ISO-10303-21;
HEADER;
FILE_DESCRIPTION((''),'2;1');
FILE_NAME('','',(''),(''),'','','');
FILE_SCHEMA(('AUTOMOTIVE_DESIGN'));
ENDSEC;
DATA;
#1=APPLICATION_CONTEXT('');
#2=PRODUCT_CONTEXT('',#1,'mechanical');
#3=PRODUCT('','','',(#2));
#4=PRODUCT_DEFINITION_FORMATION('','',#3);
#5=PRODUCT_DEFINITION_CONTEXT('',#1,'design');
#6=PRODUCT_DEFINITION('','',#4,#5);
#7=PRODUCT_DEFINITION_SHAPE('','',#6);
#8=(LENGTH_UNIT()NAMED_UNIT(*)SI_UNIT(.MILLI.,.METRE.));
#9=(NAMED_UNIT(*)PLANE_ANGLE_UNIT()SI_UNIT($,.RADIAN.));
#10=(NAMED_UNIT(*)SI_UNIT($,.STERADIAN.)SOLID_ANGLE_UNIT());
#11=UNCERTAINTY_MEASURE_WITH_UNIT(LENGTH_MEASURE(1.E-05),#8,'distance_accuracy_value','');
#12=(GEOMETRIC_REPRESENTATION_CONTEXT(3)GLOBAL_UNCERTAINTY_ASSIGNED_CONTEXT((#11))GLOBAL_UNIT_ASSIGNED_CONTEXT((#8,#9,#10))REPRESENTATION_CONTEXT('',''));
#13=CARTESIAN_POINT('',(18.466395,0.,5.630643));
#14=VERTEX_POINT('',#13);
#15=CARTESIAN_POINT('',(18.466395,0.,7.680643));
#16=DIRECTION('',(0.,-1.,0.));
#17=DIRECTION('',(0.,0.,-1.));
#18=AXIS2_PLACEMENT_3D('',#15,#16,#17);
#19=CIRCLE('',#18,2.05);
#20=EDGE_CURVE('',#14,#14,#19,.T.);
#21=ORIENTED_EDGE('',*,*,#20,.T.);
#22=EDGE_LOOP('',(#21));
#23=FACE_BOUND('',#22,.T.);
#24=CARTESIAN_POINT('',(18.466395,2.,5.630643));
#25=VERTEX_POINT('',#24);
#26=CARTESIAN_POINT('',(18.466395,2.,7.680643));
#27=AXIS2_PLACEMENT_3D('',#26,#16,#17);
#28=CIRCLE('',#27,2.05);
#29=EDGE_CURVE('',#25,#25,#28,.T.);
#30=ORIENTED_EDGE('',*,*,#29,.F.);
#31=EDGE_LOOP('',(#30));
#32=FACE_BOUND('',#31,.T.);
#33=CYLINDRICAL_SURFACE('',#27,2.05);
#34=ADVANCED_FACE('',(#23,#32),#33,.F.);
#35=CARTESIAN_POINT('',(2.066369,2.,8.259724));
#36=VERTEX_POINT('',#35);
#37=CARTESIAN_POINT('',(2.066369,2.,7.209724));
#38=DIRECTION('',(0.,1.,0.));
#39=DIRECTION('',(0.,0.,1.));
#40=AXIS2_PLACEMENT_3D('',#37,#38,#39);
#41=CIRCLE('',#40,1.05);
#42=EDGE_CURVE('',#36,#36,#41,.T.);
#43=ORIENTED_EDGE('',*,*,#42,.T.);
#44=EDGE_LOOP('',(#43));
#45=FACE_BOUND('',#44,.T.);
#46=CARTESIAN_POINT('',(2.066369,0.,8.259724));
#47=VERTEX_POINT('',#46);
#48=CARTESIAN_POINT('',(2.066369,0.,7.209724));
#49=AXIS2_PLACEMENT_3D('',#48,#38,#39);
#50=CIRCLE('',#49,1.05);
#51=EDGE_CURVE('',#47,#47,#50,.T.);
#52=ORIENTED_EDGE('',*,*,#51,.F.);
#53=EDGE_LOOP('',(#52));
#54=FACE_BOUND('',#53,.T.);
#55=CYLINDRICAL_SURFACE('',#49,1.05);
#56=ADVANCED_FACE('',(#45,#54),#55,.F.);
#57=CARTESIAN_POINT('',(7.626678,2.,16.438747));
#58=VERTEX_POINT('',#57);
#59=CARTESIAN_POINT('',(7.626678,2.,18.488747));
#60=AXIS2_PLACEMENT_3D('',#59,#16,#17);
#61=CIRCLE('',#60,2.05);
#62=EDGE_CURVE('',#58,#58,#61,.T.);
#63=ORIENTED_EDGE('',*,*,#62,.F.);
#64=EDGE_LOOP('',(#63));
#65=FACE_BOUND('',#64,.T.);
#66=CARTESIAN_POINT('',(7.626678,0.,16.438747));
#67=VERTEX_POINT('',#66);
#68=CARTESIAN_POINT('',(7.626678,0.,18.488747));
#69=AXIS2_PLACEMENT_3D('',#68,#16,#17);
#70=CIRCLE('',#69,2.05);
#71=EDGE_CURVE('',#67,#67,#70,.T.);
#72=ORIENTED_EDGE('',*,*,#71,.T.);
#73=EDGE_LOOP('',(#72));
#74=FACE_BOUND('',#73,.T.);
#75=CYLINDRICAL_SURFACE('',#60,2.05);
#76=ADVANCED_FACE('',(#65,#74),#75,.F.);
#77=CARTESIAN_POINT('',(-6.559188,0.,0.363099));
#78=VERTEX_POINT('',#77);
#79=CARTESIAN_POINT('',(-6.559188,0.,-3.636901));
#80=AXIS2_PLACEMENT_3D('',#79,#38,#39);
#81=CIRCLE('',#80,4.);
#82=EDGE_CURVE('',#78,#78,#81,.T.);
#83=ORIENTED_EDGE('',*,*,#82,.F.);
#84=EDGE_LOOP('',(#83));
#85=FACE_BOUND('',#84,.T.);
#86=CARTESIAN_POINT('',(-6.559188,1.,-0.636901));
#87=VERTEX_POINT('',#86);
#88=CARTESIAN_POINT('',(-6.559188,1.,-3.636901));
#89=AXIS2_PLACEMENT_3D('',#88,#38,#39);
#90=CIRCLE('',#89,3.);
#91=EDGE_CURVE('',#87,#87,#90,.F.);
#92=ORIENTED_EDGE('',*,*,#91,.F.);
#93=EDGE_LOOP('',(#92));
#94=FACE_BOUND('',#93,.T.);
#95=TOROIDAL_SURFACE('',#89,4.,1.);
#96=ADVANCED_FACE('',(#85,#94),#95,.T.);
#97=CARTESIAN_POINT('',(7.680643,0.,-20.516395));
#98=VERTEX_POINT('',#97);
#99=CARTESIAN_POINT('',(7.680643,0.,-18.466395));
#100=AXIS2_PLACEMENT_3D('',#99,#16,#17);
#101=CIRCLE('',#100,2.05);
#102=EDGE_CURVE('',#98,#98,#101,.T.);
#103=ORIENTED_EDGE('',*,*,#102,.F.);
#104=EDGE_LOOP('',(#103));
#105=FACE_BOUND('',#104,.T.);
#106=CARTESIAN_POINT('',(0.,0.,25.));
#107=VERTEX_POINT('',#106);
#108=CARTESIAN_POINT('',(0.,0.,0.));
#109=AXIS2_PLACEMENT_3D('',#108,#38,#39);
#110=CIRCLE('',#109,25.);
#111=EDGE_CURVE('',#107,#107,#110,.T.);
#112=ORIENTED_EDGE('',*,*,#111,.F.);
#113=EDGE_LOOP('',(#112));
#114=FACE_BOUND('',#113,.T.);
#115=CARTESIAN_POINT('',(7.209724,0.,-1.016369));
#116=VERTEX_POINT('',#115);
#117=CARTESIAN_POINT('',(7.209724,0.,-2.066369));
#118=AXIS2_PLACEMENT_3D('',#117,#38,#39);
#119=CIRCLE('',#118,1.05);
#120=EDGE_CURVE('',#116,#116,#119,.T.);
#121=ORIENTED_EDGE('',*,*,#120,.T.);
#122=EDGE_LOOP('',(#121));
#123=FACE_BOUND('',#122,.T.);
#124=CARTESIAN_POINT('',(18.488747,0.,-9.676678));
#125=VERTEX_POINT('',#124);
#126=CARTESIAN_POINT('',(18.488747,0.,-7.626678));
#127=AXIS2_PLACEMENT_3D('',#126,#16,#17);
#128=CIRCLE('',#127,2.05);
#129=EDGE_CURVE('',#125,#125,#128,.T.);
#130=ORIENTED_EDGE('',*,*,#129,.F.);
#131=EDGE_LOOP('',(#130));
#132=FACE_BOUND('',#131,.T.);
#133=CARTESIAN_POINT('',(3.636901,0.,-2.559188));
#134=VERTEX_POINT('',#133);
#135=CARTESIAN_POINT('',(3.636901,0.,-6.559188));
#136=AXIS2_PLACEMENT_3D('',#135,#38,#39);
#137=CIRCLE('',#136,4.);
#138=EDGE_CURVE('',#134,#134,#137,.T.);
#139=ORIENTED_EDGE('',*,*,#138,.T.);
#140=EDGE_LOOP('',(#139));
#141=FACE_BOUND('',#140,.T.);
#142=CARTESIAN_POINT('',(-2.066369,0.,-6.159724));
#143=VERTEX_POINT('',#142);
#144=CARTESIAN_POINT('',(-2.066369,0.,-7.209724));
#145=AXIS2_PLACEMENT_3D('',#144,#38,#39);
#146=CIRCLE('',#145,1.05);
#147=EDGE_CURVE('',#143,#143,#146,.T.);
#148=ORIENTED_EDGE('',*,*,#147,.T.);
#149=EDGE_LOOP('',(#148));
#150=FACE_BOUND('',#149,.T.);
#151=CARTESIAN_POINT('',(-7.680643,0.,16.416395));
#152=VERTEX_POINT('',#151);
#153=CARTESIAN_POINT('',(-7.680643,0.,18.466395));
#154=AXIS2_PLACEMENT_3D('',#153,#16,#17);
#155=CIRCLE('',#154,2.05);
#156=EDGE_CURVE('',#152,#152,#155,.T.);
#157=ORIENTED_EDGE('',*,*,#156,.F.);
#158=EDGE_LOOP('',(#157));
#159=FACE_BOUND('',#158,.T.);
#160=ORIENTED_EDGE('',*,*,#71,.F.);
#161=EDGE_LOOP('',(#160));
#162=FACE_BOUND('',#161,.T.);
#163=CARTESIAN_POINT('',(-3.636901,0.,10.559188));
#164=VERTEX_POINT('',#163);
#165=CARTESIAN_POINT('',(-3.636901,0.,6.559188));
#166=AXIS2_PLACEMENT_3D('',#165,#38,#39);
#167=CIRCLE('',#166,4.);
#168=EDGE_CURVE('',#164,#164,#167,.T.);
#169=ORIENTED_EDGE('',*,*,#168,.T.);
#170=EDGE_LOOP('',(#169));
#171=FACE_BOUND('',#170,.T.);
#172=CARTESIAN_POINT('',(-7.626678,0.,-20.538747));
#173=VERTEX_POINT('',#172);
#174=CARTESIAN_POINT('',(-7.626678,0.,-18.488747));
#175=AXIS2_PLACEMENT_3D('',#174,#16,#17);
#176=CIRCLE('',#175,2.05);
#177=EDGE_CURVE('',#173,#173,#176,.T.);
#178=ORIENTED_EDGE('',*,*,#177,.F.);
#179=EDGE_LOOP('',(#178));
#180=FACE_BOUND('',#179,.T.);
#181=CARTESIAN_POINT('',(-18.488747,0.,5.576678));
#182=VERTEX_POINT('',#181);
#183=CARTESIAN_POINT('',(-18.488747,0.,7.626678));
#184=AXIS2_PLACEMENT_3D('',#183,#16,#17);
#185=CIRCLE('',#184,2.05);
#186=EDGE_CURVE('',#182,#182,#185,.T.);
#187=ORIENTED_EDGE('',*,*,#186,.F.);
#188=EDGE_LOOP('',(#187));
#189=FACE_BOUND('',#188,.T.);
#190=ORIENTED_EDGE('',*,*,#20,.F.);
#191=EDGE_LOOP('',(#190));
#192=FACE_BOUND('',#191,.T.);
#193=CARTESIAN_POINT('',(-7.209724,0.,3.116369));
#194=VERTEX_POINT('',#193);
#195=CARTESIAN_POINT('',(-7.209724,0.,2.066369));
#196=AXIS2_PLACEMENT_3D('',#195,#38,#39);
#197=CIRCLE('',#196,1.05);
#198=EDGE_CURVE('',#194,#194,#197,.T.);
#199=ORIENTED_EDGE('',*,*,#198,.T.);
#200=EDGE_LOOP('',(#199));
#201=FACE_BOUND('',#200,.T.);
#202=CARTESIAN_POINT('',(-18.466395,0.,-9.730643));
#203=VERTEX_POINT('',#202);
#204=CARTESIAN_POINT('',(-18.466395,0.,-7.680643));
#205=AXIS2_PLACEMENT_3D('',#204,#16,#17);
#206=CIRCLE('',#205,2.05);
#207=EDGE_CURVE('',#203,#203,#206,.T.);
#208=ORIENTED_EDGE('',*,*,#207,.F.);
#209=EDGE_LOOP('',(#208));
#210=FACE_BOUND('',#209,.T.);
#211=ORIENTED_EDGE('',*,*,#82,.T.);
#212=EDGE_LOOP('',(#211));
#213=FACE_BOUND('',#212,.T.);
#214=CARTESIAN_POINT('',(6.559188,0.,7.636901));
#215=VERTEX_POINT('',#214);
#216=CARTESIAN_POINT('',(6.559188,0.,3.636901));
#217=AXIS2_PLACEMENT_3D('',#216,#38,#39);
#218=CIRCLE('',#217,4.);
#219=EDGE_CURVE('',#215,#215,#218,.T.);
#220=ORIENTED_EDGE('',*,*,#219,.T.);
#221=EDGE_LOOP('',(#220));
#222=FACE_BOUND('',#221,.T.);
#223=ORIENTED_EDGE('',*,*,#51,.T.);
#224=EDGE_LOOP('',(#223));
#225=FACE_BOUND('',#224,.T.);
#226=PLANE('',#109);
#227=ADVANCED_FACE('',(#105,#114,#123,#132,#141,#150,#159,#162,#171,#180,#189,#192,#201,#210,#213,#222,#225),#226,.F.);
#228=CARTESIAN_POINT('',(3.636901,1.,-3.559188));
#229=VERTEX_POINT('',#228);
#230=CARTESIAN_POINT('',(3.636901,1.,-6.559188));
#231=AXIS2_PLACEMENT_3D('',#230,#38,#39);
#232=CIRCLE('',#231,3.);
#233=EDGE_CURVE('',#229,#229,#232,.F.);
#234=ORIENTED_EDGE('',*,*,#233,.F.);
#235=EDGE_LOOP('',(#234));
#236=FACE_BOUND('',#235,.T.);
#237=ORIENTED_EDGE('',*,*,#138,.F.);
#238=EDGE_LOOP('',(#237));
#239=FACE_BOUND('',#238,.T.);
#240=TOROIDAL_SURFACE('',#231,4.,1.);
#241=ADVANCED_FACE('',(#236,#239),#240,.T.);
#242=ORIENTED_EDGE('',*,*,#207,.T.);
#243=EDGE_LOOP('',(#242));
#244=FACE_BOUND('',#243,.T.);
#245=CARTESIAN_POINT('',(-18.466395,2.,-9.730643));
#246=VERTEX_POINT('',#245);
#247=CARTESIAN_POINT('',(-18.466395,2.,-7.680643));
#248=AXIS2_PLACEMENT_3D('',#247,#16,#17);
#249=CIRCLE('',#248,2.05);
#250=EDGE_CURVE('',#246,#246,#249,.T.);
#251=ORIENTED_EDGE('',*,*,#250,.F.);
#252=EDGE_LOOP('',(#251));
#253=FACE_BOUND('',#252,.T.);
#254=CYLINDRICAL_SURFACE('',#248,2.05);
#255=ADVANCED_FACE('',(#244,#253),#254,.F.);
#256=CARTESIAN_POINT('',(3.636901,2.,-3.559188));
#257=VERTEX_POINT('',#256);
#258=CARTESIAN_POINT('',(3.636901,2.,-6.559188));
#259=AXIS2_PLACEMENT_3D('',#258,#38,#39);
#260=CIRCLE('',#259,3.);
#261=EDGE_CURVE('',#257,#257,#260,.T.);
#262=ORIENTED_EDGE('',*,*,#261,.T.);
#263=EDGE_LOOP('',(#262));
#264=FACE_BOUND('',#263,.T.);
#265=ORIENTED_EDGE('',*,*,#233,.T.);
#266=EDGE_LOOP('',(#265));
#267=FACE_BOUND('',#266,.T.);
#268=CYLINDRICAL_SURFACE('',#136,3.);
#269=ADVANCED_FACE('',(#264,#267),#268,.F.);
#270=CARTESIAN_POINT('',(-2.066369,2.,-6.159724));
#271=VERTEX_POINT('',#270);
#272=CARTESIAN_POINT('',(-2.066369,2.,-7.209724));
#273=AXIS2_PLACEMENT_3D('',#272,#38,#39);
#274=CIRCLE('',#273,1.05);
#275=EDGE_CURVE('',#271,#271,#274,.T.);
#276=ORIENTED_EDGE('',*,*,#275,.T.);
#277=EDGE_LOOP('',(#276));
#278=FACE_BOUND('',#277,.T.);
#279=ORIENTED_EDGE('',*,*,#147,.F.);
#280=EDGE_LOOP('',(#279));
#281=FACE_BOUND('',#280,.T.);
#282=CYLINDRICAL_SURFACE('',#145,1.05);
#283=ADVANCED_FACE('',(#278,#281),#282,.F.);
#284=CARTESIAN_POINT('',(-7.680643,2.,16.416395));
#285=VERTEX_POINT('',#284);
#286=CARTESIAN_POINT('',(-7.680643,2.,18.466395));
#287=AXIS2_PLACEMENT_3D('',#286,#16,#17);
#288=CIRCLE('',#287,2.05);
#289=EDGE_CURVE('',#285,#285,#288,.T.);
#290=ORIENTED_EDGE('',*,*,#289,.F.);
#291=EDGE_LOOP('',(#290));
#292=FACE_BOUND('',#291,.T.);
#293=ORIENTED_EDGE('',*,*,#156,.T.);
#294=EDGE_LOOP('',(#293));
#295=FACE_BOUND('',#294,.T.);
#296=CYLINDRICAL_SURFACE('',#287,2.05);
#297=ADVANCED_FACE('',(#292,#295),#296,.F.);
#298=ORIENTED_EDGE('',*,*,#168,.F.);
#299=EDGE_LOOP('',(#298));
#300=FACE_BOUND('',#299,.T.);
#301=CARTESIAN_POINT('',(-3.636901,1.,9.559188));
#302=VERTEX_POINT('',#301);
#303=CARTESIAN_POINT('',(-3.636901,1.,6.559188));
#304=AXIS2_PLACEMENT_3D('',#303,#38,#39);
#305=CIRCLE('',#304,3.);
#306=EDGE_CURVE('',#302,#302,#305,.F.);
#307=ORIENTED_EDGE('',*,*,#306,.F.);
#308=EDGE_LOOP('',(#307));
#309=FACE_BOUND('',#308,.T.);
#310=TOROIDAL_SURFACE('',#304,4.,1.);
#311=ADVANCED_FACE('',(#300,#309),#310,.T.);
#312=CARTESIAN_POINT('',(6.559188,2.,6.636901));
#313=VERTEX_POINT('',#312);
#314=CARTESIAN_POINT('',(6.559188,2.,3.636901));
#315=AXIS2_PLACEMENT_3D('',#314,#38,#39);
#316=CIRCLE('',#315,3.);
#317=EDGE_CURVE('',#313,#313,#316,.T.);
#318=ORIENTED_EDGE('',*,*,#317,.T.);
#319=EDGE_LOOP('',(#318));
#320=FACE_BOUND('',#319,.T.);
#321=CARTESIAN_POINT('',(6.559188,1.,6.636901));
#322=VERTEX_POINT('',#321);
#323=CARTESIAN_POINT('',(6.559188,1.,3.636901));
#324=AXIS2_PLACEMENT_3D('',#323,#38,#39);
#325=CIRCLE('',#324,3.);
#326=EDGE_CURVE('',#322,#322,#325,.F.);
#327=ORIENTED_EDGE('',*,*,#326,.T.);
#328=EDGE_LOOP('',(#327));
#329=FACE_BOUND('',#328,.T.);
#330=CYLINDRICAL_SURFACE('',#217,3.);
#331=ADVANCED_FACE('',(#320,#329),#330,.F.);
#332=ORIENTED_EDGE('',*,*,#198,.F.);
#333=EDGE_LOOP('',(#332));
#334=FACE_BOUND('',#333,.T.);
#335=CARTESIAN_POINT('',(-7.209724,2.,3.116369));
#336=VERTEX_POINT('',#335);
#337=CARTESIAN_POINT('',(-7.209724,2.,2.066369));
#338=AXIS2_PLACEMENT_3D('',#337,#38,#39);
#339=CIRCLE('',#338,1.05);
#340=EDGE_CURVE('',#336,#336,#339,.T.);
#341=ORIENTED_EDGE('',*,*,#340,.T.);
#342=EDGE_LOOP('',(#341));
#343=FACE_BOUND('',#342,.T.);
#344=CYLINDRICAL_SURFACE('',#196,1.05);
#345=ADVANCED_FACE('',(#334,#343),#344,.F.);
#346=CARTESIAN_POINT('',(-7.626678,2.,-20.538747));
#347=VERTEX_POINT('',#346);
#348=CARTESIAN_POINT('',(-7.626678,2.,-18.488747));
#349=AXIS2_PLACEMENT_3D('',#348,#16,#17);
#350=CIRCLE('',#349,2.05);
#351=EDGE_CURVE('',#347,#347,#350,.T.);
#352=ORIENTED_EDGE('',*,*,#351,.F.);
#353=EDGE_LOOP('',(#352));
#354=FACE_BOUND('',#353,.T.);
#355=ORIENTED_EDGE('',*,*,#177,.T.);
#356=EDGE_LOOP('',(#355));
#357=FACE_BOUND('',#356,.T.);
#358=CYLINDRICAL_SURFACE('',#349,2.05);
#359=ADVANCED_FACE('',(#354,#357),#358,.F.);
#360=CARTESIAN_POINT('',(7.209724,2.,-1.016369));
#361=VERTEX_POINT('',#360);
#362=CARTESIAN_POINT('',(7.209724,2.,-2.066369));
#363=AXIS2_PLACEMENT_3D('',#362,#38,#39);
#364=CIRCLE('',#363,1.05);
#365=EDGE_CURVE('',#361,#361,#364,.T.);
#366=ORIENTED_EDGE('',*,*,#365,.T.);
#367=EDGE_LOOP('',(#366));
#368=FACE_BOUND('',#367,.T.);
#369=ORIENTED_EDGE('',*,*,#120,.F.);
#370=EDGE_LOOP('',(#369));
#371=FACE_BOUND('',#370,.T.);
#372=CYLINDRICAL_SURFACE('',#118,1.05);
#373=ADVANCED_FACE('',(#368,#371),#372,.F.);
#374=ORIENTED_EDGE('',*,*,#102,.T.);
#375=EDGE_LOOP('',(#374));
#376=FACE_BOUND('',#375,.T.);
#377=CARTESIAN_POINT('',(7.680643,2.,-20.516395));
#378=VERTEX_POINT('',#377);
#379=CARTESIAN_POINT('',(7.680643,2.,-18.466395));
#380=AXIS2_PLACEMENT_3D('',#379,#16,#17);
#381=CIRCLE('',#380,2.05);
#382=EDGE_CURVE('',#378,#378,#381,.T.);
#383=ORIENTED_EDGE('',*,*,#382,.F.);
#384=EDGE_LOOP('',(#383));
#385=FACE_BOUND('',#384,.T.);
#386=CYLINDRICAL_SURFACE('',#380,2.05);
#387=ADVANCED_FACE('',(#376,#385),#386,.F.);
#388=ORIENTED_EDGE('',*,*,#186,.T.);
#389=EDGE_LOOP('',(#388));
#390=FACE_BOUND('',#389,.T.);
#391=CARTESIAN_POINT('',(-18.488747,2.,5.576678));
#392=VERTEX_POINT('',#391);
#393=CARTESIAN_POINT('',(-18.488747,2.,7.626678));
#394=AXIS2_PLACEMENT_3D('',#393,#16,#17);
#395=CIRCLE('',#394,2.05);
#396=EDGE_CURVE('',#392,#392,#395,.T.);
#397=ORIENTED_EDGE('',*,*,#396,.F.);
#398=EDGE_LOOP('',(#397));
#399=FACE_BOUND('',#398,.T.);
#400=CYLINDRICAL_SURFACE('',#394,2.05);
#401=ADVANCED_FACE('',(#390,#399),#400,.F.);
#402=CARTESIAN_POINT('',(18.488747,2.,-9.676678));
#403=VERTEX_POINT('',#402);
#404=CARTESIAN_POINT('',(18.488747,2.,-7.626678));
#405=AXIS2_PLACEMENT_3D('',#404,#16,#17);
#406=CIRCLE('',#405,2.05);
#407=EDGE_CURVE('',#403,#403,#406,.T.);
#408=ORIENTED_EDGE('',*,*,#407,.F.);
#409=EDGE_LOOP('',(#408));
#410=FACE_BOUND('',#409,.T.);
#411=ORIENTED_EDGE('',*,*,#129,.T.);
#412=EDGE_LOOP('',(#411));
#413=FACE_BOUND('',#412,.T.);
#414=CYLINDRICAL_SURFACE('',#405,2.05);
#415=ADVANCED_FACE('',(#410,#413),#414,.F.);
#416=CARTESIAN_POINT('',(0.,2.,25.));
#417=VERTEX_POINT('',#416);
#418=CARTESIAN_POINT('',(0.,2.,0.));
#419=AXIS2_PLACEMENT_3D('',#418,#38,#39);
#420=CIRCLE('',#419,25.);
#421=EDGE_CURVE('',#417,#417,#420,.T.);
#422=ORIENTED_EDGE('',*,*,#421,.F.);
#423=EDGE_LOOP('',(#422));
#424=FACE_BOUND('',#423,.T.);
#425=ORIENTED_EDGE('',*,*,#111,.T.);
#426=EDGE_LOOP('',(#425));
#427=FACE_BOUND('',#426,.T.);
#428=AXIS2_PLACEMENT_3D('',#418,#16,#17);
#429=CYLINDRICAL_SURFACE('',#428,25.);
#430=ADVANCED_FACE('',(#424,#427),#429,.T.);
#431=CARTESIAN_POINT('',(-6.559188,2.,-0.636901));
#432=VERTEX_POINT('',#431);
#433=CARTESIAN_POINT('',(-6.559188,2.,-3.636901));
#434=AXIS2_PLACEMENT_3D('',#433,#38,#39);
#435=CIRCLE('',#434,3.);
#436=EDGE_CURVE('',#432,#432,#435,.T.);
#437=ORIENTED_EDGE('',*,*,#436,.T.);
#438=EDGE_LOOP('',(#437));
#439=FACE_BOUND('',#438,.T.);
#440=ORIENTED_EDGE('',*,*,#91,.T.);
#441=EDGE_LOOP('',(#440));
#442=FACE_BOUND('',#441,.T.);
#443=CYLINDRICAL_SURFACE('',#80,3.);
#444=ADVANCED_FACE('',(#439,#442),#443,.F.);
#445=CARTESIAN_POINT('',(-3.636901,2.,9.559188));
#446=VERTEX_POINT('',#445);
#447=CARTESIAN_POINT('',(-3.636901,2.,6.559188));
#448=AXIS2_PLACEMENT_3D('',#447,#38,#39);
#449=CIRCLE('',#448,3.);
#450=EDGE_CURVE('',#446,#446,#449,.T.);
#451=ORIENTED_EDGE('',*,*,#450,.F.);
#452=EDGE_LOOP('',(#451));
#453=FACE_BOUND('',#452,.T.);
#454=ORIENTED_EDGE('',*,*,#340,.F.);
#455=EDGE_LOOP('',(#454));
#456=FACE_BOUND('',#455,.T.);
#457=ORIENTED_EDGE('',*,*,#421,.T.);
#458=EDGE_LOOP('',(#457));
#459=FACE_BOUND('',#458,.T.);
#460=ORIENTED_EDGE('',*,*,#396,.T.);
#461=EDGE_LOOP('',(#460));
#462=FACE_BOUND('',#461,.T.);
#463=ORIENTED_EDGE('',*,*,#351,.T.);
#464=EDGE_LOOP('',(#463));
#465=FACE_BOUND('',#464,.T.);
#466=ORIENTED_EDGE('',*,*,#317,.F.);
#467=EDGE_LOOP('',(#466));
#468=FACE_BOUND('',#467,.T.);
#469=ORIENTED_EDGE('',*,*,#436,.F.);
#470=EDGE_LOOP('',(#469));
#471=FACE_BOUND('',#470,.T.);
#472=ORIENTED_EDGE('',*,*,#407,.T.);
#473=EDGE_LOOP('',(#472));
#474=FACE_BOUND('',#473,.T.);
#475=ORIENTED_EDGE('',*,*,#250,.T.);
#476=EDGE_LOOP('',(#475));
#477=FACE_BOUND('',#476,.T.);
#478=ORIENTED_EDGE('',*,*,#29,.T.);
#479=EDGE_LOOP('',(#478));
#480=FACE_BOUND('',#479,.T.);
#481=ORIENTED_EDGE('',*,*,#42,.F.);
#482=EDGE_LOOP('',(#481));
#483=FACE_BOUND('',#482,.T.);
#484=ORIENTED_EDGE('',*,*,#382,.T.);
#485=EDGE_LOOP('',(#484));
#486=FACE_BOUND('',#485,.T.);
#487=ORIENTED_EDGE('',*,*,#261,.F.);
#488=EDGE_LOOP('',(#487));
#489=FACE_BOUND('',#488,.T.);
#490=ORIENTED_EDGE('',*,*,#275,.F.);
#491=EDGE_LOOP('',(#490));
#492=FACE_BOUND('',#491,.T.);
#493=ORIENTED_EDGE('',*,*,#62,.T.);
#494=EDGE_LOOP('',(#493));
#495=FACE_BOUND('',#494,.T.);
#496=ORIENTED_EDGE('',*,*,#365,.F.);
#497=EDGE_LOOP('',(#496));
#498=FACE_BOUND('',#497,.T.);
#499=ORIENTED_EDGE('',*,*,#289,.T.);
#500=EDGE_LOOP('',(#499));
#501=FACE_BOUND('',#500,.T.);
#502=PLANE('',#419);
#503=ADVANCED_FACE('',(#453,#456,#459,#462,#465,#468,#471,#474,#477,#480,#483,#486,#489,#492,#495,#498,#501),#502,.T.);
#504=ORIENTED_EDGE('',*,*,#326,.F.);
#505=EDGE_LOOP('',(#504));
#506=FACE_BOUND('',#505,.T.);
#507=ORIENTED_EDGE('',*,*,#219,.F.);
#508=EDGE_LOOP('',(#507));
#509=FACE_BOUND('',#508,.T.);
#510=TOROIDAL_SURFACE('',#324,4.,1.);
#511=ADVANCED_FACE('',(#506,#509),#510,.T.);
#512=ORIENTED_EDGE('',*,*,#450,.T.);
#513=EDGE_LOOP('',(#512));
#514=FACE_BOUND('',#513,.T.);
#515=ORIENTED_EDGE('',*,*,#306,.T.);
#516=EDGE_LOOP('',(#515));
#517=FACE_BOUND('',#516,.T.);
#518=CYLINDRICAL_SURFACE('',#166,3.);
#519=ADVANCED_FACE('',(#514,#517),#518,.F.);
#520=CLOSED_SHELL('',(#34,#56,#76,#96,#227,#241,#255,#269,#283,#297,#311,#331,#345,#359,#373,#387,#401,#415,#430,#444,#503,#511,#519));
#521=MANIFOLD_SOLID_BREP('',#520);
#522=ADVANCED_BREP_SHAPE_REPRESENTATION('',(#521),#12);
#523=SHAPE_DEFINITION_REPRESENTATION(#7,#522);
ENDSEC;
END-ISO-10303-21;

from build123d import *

# Parameters (mm, degrees)
SKETCH1_R           = 25
BOSS_EXTRUDE1_DEPTH = 2
SKETCH2_R           = 1.05
SKETCH2_R_2         = 3
CUT_EXTRUDE1_DEPTH  = 3
FILLET1_R           = 1
SKETCH4_R           = 2.05
CUT_EXTRUDE3_DEPTH  = 3


with BuildPart() as part:
    # Sketch1 → Boss-Extrude1 (new body)
    with BuildSketch(Plane(origin=(0, 0, 0), x_dir=(1, 0, 0), z_dir=(0, 1, 0))):
        Circle(SKETCH1_R)
    extrude(amount=BOSS_EXTRUDE1_DEPTH)

    # Sketch2 → Cut-Extrude1 (cut, through all)
    with BuildSketch(Plane(origin=(0, 2, 0), x_dir=(1, 0, 0), z_dir=(0, 1, 0))):
        with Locations((-2.066368974, 7.209723938)):
            Circle(SKETCH2_R)
        with Locations((7.209723938, 2.066368974)):
            Circle(SKETCH2_R)
        with Locations((2.066368974, -7.209723938)):
            Circle(SKETCH2_R)
        with Locations((-7.209723938, -2.066368974)):
            Circle(SKETCH2_R)
        with Locations((-3.636901173, -6.559188201)):
            Circle(SKETCH2_R_2)
        with Locations((-6.559188201, 3.636901173)):
            Circle(SKETCH2_R_2)
        with Locations((3.636901173, 6.559188201)):
            Circle(SKETCH2_R_2)
        with Locations((6.559188201, -3.636901173)):
            Circle(SKETCH2_R_2)
    extrude(amount=-CUT_EXTRUDE1_DEPTH, mode=Mode.SUBTRACT)

    # Fillet1
    fillet1_edges = [part.edges().sort_by_distance(p)[0] for p in [
        (-6.636901173, 0, 6.559188201),
        (-9.559188201, 0, -3.636901173),
        (0.636901173, 0, -6.559188201),
        (3.559188201, 0, 3.636901173),
    ]]
    fillet(fillet1_edges, radius=FILLET1_R)

    # Sketch4 → Cut-Extrude3 (cut, through all)
    with BuildSketch(Plane.XZ):
        with Locations((-18.488747294, 7.626678405)):
            Circle(SKETCH4_R)
        with Locations((-7.680642569, 18.466394605)):
            Circle(SKETCH4_R)
        with Locations((7.626678405, 18.488747294)):
            Circle(SKETCH4_R)
        with Locations((18.466394605, 7.680642569)):
            Circle(SKETCH4_R)
        with Locations((18.488747294, -7.626678405)):
            Circle(SKETCH4_R)
        with Locations((7.680642569, -18.466394605)):
            Circle(SKETCH4_R)
        with Locations((-7.626678405, -18.488747294)):
            Circle(SKETCH4_R)
        with Locations((-18.466394605, -7.680642569)):
            Circle(SKETCH4_R)
    extrude(amount=-CUT_EXTRUDE3_DEPTH, mode=Mode.SUBTRACT)


solid = part.part
